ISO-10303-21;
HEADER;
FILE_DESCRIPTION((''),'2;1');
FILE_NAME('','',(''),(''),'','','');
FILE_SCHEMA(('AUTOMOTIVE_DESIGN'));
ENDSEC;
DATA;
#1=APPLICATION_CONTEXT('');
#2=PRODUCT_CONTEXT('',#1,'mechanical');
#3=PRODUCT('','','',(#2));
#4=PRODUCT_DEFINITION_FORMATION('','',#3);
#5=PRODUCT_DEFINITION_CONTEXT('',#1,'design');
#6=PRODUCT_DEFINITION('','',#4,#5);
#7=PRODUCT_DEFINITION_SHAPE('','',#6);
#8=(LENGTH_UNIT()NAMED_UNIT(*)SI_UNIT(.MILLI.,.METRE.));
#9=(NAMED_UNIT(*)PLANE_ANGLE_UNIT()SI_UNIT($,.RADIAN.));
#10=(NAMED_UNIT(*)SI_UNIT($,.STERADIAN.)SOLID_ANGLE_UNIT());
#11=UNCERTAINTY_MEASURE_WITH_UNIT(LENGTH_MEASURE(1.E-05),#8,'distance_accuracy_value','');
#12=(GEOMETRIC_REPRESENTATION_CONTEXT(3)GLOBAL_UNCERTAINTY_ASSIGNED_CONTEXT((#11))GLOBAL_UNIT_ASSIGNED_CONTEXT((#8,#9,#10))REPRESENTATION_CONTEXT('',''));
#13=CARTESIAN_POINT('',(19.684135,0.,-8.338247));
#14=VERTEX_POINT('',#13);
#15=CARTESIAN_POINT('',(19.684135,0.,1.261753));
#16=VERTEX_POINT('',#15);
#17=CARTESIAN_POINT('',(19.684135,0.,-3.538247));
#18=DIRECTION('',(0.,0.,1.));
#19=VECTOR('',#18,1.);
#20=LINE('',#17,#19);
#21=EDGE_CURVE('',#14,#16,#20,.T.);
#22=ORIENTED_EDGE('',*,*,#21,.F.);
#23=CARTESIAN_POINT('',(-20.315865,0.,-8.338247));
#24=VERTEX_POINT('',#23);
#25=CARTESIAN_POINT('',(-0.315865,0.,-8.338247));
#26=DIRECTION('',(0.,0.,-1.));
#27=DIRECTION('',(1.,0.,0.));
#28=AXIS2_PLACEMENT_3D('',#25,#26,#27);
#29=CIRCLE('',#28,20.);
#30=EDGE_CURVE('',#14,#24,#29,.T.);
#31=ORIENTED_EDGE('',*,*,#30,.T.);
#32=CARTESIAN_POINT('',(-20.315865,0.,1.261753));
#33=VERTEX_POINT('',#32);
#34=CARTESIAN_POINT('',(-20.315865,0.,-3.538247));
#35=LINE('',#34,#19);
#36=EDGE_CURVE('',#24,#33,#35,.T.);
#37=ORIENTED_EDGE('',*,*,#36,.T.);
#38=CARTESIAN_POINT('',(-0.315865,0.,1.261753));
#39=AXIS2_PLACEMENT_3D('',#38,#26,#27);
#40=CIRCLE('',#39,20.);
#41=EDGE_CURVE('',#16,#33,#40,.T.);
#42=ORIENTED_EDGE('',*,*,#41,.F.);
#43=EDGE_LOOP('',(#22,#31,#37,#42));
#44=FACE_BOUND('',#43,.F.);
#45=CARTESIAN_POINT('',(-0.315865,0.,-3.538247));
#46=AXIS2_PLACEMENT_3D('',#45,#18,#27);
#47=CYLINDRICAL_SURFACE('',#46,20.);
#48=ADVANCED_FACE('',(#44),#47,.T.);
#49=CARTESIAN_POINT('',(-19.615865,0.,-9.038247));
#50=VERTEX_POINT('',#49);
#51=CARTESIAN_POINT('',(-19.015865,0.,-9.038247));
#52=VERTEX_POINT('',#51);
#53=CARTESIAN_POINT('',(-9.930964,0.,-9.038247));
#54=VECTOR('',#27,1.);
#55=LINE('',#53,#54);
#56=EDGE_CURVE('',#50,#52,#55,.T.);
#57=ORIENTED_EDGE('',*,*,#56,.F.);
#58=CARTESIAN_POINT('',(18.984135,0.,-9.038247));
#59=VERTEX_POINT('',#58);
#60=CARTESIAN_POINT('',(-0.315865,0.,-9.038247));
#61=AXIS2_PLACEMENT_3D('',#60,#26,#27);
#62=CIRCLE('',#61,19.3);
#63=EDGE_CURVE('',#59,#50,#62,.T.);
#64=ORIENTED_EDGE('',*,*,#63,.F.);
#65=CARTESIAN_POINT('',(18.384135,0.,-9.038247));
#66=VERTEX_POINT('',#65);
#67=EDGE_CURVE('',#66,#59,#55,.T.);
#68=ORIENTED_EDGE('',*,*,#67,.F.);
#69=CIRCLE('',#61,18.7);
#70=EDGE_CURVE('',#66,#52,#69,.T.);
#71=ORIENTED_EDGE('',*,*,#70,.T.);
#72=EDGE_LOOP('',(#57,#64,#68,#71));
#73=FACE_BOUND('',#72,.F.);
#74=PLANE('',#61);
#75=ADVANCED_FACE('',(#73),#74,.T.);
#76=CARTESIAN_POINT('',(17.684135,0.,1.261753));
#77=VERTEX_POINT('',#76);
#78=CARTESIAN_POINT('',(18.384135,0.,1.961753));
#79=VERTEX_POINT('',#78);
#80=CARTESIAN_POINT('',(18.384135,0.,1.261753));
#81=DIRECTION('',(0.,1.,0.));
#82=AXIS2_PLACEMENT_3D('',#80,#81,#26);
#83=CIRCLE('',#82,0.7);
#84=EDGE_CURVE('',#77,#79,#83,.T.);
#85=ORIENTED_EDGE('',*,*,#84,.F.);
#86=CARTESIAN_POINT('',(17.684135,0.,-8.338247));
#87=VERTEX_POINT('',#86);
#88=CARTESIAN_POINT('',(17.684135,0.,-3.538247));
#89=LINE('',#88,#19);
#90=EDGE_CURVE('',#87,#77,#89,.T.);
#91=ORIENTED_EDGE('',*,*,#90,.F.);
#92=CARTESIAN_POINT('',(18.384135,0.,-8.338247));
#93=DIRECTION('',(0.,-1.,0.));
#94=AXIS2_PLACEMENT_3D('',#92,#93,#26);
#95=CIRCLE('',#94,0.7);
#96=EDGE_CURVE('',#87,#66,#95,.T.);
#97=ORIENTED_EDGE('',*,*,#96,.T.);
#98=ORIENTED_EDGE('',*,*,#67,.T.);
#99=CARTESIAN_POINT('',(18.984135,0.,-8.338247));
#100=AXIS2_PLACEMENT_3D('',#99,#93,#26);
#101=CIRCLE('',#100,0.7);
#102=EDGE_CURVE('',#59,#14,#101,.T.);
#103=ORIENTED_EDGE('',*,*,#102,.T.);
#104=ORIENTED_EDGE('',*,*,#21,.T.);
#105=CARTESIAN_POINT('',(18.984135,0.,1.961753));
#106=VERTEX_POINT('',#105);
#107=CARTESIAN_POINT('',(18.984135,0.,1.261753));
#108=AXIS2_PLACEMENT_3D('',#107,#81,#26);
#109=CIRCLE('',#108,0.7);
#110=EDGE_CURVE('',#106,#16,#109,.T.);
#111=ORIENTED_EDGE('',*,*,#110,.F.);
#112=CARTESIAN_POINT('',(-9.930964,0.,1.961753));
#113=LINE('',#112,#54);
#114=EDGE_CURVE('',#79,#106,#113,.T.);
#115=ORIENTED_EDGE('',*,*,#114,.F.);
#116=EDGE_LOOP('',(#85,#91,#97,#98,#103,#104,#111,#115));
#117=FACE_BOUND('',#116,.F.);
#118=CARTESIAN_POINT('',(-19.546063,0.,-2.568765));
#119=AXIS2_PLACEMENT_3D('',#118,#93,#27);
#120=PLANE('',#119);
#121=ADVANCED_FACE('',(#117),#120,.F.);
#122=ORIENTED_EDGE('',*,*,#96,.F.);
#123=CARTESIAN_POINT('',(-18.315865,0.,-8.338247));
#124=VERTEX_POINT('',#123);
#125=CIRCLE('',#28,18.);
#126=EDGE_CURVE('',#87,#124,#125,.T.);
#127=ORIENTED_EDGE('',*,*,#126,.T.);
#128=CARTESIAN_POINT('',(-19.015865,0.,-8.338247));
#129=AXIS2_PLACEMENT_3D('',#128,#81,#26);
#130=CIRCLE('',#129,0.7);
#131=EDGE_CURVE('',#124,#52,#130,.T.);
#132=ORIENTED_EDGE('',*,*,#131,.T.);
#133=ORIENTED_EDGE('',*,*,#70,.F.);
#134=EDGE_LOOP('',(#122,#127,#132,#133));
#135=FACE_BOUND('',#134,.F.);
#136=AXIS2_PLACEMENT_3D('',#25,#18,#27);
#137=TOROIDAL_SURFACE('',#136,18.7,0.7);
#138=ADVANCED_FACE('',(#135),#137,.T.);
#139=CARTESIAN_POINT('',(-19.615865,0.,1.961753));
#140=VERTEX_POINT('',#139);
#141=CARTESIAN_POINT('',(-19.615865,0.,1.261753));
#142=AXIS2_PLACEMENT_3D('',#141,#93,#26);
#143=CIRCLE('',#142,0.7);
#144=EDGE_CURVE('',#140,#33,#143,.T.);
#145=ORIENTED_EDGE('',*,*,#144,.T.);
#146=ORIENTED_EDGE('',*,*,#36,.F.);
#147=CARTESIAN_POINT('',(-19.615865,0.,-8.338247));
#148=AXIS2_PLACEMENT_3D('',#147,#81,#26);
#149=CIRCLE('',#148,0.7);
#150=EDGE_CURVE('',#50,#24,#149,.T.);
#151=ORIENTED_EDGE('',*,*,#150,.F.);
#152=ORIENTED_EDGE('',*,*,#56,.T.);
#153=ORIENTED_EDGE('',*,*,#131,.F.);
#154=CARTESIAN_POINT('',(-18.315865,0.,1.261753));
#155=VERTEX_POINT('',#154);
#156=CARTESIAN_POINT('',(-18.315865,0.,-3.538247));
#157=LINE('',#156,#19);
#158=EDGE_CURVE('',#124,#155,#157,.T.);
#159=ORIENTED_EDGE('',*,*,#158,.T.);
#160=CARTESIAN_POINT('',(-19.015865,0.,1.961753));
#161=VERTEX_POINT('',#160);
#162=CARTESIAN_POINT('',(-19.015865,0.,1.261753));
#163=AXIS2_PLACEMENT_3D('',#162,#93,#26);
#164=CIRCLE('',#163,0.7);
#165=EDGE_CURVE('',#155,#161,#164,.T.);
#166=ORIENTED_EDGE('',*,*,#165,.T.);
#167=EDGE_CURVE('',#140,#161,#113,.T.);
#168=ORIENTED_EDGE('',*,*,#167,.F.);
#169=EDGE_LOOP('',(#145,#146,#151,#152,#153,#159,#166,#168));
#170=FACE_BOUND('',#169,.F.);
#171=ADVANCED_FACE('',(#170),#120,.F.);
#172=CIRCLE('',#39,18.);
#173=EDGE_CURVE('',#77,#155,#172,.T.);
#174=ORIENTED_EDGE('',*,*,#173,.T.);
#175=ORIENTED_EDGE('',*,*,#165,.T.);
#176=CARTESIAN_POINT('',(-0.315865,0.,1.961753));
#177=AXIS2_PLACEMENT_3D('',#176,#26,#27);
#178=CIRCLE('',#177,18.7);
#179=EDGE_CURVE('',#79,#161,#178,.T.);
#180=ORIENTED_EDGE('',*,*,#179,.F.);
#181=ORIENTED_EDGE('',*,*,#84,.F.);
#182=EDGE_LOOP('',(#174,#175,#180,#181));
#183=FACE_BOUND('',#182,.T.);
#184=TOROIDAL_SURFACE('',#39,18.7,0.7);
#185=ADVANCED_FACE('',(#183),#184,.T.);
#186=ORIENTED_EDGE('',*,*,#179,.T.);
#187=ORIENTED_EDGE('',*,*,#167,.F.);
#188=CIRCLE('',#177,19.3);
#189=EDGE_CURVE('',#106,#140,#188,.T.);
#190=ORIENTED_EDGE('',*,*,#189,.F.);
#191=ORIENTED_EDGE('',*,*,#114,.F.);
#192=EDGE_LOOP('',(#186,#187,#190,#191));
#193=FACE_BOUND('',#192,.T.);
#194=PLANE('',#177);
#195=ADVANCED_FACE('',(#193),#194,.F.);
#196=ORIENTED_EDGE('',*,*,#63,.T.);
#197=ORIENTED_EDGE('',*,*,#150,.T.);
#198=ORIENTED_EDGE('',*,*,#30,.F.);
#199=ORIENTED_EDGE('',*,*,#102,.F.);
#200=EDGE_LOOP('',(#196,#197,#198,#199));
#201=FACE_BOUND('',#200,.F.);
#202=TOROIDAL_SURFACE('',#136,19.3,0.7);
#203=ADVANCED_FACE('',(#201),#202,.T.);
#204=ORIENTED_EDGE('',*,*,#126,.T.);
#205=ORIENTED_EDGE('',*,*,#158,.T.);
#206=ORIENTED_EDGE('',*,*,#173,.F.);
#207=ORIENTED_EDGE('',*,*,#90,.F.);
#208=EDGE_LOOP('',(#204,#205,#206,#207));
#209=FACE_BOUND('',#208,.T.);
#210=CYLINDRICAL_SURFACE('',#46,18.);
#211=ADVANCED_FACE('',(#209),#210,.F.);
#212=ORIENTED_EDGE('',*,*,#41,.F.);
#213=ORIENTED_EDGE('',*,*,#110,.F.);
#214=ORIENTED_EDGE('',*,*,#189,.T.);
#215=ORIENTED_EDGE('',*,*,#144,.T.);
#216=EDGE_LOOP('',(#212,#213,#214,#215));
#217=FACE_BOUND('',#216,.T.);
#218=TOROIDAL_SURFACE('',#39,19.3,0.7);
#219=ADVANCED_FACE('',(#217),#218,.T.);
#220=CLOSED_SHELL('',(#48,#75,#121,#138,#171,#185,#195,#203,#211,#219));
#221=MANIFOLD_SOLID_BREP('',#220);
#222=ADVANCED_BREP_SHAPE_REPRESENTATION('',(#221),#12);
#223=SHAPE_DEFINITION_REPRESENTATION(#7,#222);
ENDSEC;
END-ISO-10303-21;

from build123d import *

# Parameters (mm, degrees)
F0_W     = 2
F0_H     = 11
F2_W     = 98.8686215132
F2_H     = 62.5401474535
F3_DEPTH = 20.001
F4_R     = 0.7


with BuildPart() as f1:
    # F0 (on Front) → F1 (revolve)
    with BuildSketch(Plane.XZ):
        with Locations((18.6841351639, -3.538246952)):
            Rectangle(F0_W, F0_H)
    revolve(axis=Axis((-0.3158648361, 0, -1.3117180206), (0, 0, -1)))

    # F2 (on Front) → F3 (cut, through all)
    with BuildSketch(Plane.XZ):
        with Locations((-19.5460626855, -2.5687646121)):
            Rectangle(F2_W, F2_H)
    extrude(amount=-F3_DEPTH, mode=Mode.SUBTRACT)

    # F4
    f4_edges = [f1.edges().sort_by_distance(p)[0] for p in [
        (-0.315865, -20, 1.961753),
        (-0.315865, -18, 1.961753),
        (-0.315865, -20, -9.038247),
        (-0.315865, -18, -9.038247),
    ]]
    fillet(f4_edges, radius=F4_R)


solid = f1.part
